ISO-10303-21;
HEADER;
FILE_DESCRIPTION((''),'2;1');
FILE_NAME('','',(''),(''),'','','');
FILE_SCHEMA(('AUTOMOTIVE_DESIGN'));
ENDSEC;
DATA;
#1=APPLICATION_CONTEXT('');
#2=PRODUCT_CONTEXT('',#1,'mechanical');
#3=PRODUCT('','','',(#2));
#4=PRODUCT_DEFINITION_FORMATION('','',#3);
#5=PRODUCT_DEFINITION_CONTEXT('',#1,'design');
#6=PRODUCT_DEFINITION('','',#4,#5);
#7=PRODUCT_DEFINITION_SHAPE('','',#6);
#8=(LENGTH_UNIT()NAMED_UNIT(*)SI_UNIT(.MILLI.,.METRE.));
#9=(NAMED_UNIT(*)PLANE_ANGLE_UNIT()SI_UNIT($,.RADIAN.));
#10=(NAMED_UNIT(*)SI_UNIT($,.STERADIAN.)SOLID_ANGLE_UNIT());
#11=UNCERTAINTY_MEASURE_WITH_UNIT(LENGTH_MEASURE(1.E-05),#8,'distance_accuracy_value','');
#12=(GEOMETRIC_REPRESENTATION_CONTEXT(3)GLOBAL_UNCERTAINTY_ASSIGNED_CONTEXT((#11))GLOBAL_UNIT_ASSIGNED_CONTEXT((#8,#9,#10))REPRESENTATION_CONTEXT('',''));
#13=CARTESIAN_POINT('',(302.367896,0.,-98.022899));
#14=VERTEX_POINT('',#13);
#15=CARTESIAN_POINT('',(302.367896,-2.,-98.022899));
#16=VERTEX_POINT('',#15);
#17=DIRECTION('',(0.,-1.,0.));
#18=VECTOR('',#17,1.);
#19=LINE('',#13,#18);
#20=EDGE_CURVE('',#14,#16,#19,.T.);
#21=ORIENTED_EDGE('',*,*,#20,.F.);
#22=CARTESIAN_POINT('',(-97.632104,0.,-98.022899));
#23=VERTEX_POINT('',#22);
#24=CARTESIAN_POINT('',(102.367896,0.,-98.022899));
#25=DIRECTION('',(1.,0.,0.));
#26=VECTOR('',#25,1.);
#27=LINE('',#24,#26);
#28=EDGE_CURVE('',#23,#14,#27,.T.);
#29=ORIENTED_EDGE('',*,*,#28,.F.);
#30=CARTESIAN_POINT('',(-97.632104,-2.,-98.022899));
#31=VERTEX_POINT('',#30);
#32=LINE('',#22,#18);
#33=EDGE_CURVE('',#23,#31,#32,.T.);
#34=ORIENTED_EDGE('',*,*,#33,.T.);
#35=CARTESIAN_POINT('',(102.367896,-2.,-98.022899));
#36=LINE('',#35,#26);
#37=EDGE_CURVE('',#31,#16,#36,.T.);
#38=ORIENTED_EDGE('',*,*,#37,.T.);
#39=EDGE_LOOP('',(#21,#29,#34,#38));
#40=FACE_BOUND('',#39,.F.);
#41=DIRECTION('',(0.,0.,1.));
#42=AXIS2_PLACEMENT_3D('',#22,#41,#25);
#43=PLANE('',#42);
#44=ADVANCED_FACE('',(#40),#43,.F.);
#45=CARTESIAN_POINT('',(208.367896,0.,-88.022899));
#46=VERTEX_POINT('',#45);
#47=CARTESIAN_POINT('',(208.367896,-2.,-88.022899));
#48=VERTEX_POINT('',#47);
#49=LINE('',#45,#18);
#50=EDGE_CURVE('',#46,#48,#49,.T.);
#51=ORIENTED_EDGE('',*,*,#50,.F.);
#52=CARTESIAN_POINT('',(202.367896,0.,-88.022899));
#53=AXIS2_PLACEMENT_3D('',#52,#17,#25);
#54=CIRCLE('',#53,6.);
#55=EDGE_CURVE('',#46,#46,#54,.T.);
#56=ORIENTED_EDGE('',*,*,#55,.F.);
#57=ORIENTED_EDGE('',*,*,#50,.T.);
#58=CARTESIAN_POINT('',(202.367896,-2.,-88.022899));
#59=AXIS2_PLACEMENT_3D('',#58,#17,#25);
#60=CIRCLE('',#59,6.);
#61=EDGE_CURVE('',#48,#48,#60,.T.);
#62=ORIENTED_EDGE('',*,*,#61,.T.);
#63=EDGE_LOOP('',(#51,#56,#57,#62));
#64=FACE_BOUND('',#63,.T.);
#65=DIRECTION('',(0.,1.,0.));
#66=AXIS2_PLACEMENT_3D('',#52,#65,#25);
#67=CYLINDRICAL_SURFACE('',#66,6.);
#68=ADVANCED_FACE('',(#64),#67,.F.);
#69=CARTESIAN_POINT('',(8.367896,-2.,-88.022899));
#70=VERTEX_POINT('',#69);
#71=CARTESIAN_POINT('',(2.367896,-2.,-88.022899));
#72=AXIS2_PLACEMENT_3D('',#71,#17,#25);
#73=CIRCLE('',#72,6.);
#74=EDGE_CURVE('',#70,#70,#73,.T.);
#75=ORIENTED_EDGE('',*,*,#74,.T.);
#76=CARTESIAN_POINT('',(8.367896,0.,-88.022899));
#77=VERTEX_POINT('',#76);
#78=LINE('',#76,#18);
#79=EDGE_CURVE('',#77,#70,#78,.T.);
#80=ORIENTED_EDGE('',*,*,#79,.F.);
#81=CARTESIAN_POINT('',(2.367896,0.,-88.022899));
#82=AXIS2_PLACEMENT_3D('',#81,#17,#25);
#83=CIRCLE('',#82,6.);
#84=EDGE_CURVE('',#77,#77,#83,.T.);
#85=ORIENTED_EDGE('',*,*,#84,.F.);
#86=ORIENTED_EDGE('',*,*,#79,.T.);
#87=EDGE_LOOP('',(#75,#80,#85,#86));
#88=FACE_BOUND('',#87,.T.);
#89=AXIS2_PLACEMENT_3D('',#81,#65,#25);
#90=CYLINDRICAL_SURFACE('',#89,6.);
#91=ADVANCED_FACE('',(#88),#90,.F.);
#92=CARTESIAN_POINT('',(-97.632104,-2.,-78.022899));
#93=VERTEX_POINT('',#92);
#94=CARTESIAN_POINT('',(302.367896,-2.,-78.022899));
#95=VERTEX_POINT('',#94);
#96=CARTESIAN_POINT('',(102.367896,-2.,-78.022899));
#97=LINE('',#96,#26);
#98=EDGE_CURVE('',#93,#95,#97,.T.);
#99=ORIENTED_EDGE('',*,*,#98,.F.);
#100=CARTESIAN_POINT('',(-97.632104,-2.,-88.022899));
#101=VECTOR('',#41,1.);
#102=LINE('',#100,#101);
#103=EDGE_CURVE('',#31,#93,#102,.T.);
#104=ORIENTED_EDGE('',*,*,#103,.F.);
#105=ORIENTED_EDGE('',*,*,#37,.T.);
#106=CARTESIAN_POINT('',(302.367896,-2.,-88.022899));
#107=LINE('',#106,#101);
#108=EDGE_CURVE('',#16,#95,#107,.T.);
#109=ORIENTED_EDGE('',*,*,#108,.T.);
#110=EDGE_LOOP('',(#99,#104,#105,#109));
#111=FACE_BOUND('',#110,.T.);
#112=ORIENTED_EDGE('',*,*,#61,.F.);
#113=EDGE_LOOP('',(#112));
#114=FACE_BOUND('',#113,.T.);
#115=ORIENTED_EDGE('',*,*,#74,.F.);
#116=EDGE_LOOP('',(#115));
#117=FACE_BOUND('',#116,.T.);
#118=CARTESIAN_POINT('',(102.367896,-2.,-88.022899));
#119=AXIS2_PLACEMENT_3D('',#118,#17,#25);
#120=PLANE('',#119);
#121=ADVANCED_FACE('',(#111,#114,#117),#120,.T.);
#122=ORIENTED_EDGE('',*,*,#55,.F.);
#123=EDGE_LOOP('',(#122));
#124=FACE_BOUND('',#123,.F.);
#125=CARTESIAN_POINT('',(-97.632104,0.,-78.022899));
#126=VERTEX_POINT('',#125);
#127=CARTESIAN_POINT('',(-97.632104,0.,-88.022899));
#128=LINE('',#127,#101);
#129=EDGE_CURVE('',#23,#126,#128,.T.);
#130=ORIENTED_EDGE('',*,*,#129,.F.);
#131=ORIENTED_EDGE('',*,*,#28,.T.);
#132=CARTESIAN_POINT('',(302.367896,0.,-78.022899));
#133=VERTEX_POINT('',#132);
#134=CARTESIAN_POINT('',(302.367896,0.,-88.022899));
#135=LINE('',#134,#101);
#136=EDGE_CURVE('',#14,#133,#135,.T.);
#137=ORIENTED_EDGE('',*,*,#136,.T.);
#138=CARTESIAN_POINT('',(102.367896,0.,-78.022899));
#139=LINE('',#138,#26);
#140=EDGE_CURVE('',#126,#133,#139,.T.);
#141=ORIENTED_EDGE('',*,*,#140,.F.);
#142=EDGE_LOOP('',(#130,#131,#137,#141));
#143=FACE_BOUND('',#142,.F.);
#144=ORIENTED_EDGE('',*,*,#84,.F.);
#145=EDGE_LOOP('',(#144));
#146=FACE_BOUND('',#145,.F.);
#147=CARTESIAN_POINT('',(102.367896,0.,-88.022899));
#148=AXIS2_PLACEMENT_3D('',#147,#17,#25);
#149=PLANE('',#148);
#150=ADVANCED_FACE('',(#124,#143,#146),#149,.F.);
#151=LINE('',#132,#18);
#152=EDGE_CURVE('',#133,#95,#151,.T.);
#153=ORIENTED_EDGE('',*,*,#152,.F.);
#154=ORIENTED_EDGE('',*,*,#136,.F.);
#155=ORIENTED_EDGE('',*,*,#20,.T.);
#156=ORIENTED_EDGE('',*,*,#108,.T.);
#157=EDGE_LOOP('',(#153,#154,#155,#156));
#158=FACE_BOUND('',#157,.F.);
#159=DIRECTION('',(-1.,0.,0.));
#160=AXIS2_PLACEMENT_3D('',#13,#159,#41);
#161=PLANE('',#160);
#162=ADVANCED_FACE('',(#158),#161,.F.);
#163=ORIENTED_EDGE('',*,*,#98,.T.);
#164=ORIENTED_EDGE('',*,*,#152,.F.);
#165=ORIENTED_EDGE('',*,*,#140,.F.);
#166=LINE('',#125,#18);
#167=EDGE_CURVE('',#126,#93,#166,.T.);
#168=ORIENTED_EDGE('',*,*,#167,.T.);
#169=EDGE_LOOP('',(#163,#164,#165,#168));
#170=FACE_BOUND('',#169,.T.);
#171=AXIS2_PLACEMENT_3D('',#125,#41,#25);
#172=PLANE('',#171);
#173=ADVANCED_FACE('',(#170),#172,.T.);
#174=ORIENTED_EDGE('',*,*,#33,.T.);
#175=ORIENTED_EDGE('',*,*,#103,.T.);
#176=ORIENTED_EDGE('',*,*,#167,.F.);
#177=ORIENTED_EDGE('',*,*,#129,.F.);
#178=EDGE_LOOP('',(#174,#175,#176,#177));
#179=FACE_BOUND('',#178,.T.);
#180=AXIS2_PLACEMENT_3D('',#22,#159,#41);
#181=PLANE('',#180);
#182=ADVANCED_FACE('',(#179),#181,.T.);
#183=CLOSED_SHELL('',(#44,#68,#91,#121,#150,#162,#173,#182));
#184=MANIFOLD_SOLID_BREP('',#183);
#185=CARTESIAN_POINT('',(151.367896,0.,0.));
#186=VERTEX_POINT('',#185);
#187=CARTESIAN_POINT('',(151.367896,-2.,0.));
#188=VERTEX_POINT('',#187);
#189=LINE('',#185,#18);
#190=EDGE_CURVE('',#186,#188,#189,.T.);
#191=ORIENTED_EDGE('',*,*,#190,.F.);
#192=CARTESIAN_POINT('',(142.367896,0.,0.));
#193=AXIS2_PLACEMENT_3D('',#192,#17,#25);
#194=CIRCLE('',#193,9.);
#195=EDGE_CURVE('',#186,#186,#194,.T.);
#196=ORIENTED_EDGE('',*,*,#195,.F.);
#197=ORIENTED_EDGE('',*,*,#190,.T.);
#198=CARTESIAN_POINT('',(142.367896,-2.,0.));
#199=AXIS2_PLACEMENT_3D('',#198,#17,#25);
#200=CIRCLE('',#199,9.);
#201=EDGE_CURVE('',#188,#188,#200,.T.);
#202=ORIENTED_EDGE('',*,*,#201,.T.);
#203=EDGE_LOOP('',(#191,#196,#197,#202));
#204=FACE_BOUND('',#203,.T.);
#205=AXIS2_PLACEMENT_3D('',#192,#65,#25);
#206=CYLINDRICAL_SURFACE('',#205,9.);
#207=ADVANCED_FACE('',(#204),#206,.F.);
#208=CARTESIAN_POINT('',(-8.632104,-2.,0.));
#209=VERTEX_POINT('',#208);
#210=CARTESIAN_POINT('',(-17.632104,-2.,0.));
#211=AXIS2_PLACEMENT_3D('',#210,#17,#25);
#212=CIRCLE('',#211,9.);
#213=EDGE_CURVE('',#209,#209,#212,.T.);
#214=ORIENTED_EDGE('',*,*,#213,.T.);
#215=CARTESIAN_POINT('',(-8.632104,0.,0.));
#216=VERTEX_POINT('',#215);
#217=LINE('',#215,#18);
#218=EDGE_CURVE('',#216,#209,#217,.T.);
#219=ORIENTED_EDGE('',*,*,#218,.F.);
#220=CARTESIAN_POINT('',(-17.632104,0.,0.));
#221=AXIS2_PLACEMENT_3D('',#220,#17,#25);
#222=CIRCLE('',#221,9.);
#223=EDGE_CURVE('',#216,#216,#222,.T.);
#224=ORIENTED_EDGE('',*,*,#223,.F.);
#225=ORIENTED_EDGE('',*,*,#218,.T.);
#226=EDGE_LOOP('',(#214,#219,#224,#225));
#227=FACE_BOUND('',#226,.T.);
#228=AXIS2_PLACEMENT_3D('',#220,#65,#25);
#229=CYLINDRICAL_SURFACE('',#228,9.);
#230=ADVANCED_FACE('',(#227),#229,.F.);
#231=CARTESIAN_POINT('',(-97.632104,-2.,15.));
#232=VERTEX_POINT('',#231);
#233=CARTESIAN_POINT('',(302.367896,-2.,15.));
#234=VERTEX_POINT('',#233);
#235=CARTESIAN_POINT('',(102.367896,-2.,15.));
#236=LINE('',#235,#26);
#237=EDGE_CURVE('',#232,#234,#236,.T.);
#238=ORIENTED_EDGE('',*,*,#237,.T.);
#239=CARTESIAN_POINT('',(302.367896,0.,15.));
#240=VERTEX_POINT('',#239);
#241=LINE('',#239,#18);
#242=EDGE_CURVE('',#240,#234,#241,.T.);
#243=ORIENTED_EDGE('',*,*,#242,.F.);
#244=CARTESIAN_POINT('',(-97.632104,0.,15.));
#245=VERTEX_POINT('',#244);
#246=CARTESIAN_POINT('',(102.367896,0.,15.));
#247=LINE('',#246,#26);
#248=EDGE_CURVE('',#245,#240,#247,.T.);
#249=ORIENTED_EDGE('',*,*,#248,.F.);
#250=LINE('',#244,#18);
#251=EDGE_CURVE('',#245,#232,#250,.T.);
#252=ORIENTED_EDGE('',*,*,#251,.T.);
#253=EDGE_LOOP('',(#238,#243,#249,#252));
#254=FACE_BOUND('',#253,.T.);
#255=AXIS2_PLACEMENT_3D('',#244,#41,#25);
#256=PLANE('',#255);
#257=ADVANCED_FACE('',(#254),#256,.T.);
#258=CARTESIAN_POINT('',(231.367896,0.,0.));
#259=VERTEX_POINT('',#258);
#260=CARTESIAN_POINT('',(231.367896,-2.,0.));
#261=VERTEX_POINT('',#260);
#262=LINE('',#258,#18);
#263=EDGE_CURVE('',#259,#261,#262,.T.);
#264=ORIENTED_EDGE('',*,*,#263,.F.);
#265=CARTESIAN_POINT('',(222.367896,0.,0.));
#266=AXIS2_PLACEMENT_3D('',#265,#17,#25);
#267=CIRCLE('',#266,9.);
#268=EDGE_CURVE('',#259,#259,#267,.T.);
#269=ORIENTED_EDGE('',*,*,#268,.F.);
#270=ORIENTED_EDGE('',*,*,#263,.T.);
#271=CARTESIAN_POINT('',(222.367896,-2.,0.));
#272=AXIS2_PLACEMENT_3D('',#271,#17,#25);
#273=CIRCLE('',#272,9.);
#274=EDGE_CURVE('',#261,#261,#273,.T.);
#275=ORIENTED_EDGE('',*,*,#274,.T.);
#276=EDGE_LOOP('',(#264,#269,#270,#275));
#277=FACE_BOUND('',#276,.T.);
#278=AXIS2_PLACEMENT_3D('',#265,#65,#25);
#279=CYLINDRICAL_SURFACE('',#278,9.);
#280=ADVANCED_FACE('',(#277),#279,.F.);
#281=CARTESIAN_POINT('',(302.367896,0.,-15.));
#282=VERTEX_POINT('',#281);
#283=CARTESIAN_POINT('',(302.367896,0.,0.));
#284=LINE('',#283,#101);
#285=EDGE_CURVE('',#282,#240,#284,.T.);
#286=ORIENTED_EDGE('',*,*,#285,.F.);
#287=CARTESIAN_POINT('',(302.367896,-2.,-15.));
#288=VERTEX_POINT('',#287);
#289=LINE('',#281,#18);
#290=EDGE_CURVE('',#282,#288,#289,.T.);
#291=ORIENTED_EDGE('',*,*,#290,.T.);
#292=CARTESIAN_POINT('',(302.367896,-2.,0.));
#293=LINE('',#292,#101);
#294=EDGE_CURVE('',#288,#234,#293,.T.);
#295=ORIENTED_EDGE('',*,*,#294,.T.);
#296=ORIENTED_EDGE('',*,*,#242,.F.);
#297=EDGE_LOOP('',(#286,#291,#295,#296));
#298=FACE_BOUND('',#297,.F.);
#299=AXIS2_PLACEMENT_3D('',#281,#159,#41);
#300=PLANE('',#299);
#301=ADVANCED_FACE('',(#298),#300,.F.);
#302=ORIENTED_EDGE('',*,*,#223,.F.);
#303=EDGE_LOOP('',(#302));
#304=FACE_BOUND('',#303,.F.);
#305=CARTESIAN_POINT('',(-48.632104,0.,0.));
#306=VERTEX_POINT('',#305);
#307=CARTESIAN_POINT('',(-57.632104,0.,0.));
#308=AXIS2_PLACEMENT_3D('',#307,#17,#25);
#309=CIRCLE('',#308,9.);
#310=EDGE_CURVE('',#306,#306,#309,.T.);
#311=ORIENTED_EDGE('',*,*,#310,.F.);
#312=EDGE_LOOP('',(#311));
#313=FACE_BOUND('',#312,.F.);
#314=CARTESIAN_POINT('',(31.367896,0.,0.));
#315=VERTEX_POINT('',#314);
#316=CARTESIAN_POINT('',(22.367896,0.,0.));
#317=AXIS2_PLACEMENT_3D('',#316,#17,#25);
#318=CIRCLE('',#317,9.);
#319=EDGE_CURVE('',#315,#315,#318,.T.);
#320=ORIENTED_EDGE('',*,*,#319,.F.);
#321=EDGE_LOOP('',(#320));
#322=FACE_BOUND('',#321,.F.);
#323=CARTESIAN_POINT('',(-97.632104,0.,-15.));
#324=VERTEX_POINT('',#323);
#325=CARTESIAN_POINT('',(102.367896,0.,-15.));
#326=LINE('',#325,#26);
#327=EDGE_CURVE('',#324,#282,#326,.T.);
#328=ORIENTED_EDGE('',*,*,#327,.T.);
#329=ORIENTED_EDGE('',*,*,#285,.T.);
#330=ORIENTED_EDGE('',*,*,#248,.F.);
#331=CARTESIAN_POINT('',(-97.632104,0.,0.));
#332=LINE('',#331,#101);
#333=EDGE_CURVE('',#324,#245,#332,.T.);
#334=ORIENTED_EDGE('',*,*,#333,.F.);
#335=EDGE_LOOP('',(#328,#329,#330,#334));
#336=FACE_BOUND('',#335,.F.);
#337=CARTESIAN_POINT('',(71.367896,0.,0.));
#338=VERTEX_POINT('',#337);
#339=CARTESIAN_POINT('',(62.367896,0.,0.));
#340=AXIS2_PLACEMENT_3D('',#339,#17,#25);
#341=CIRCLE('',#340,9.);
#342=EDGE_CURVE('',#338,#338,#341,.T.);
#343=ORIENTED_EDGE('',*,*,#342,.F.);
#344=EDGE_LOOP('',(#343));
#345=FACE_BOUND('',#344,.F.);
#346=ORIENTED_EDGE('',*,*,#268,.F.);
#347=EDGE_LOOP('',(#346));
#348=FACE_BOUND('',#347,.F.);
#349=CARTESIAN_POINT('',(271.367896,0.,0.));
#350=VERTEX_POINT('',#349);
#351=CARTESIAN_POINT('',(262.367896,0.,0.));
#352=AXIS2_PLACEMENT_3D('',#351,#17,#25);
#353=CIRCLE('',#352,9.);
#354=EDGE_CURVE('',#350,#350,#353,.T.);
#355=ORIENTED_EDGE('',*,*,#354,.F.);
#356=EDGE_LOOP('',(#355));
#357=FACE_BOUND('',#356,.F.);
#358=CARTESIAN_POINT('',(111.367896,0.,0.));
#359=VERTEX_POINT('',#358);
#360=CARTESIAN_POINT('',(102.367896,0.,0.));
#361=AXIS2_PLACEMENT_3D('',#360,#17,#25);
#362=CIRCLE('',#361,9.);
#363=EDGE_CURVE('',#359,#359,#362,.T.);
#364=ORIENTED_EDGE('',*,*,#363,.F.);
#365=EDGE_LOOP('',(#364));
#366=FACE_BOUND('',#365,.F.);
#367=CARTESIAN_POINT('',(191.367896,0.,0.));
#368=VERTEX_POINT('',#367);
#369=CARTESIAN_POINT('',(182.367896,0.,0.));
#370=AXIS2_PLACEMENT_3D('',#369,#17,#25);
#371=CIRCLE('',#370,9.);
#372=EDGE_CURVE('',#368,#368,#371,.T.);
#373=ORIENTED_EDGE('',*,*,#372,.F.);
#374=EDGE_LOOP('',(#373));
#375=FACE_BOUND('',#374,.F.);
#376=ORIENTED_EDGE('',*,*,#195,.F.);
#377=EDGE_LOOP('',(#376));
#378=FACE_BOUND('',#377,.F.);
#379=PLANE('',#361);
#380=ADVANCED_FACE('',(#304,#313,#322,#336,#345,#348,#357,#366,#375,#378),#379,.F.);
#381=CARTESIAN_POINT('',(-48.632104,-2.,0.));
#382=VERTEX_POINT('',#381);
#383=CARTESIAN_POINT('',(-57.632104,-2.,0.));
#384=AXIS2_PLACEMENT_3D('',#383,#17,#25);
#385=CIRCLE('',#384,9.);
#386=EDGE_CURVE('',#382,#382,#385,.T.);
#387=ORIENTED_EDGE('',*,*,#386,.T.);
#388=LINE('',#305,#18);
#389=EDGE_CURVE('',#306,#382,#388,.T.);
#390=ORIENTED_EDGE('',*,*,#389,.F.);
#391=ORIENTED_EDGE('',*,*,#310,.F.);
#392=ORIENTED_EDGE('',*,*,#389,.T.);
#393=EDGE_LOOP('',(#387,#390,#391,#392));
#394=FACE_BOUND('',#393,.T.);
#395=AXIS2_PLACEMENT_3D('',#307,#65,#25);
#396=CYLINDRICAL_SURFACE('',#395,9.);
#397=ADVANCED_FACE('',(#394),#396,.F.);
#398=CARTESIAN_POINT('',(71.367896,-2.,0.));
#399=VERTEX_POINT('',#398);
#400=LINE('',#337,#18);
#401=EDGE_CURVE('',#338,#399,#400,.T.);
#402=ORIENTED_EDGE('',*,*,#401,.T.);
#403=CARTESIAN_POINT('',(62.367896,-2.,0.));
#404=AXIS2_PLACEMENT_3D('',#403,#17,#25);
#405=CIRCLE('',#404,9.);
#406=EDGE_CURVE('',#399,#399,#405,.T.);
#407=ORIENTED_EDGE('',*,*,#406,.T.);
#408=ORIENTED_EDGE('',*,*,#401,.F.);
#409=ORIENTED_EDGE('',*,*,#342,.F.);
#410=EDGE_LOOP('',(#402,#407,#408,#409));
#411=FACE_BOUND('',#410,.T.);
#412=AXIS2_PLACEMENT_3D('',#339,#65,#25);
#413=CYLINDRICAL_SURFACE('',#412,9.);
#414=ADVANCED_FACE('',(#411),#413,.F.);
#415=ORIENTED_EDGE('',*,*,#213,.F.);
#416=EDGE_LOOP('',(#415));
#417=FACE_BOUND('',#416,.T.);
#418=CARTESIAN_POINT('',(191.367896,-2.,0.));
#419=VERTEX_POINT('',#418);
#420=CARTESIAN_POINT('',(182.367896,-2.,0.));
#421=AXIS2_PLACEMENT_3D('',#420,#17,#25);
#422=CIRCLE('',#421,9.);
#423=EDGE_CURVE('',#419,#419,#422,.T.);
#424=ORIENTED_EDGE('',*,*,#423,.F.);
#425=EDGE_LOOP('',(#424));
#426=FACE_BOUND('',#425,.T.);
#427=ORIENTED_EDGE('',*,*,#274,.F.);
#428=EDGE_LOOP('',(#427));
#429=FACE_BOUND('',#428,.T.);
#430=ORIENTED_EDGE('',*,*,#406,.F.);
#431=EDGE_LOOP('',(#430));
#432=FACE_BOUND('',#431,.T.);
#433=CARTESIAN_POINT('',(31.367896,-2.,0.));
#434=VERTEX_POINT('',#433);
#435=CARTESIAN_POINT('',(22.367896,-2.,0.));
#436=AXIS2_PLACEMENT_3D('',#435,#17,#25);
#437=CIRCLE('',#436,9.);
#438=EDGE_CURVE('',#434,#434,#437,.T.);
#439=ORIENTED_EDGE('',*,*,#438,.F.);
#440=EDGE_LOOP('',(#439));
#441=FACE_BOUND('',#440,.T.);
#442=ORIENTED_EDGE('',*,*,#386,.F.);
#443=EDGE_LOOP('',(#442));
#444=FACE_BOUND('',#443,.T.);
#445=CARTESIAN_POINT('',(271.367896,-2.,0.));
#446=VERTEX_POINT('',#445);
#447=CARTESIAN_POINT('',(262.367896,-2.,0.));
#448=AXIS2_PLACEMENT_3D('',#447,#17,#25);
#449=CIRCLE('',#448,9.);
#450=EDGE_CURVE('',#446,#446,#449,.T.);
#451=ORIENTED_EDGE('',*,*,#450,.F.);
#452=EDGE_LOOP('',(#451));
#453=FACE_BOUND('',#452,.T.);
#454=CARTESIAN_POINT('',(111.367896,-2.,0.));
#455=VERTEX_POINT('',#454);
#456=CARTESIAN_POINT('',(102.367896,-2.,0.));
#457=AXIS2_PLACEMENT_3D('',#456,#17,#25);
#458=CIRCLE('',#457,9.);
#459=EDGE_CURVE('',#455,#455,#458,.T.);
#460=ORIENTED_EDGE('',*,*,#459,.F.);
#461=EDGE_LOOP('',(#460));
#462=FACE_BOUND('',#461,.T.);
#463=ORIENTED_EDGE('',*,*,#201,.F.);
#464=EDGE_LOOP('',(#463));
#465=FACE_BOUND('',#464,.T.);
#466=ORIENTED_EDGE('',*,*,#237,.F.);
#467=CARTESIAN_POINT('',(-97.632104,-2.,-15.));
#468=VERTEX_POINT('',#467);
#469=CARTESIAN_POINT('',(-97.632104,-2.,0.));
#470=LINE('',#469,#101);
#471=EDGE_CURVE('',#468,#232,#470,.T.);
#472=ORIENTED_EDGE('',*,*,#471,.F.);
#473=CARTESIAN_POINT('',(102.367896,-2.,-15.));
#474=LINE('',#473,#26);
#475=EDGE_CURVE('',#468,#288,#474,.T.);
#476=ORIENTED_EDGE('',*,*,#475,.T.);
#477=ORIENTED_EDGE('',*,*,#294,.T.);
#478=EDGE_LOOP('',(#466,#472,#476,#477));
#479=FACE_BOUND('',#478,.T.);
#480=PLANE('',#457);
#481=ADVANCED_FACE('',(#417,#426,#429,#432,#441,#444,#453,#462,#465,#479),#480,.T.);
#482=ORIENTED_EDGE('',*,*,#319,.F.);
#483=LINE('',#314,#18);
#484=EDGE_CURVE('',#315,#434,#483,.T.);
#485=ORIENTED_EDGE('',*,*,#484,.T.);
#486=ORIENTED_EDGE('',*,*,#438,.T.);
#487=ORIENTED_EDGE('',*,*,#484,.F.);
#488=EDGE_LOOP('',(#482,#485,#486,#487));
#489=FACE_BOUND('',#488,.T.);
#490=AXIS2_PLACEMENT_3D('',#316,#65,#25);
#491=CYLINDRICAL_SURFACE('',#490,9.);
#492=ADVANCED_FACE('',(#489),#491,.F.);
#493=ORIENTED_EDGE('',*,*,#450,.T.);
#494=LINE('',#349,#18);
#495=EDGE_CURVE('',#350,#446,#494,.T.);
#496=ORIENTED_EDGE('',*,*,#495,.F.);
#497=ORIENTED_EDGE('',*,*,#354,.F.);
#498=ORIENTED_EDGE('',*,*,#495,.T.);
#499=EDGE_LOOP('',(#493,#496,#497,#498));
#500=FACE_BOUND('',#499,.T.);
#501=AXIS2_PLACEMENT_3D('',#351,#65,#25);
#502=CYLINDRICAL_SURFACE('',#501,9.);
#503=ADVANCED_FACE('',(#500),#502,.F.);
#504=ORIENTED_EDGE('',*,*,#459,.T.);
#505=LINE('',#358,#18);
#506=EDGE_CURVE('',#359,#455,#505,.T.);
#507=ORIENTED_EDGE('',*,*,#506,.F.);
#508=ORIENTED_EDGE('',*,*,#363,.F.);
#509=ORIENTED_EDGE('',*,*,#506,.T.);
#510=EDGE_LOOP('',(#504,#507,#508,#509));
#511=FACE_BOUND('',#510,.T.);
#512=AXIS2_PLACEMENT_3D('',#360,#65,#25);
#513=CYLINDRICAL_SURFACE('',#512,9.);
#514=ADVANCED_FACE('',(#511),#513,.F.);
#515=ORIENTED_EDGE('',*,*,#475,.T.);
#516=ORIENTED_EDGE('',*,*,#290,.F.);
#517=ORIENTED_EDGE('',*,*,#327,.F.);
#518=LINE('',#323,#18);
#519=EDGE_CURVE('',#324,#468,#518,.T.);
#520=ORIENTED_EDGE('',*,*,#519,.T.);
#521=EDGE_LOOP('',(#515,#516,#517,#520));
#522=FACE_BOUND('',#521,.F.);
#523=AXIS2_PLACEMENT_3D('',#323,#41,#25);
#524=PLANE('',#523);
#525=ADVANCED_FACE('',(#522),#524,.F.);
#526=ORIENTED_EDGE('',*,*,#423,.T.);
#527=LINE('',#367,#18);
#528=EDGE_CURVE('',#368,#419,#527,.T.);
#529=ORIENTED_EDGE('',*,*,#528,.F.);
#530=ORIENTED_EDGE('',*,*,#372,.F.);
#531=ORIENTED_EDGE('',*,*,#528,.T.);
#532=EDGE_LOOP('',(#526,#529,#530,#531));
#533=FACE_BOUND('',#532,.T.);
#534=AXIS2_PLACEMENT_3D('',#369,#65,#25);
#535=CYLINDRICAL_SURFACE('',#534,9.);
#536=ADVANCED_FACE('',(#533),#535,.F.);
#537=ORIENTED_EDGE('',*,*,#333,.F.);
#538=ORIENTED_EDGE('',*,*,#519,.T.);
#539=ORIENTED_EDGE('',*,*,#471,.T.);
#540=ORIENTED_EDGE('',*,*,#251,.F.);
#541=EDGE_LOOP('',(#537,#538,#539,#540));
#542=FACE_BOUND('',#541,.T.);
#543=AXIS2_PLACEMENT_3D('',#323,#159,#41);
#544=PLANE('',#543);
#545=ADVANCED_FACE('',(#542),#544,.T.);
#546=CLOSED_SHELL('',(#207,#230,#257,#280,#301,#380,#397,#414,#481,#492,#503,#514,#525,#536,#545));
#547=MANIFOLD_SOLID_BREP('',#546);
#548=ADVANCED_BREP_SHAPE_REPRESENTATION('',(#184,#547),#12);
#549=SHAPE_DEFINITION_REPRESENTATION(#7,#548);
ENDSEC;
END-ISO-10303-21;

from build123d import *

# Parameters (mm, degrees)
F0_W     = 400
F0_H     = 30
F0_R     = 9
F0_H_2   = 20
F0_R_2   = 6
F1_DEPTH = 2


with BuildPart() as f1:
    # F0 (on Front) → F1 (new body)
    with BuildSketch(Plane.XZ):
        with Locations((102.367896, 0)):
            Rectangle(F0_W, F0_H)
        with Locations((-57.632104, 0)):
            Circle(F0_R, mode=Mode.SUBTRACT)
        with Locations((-17.632104, 0)):
            Circle(F0_R, mode=Mode.SUBTRACT)
        with Locations((22.367896, 0)):
            Circle(F0_R, mode=Mode.SUBTRACT)
        with Locations((62.367896, 0)):
            Circle(F0_R, mode=Mode.SUBTRACT)
        with Locations((102.367896, 0)):
            Circle(F0_R, mode=Mode.SUBTRACT)
        with Locations((142.367896, 0)):
            Circle(F0_R, mode=Mode.SUBTRACT)
        with Locations((182.367896, 0)):
            Circle(F0_R, mode=Mode.SUBTRACT)
        with Locations((222.367896, 0)):
            Circle(F0_R, mode=Mode.SUBTRACT)
        with Locations((262.367896, 0)):
            Circle(F0_R, mode=Mode.SUBTRACT)
        with Locations((102.367896, -88.022899)):
            Rectangle(F0_W, F0_H_2)
        with Locations((2.367896, -88.022899)):
            Circle(F0_R_2, mode=Mode.SUBTRACT)
        with Locations((202.367896, -88.022899)):
            Circle(F0_R_2, mode=Mode.SUBTRACT)
    extrude(amount=F1_DEPTH)


solid = f1.part
